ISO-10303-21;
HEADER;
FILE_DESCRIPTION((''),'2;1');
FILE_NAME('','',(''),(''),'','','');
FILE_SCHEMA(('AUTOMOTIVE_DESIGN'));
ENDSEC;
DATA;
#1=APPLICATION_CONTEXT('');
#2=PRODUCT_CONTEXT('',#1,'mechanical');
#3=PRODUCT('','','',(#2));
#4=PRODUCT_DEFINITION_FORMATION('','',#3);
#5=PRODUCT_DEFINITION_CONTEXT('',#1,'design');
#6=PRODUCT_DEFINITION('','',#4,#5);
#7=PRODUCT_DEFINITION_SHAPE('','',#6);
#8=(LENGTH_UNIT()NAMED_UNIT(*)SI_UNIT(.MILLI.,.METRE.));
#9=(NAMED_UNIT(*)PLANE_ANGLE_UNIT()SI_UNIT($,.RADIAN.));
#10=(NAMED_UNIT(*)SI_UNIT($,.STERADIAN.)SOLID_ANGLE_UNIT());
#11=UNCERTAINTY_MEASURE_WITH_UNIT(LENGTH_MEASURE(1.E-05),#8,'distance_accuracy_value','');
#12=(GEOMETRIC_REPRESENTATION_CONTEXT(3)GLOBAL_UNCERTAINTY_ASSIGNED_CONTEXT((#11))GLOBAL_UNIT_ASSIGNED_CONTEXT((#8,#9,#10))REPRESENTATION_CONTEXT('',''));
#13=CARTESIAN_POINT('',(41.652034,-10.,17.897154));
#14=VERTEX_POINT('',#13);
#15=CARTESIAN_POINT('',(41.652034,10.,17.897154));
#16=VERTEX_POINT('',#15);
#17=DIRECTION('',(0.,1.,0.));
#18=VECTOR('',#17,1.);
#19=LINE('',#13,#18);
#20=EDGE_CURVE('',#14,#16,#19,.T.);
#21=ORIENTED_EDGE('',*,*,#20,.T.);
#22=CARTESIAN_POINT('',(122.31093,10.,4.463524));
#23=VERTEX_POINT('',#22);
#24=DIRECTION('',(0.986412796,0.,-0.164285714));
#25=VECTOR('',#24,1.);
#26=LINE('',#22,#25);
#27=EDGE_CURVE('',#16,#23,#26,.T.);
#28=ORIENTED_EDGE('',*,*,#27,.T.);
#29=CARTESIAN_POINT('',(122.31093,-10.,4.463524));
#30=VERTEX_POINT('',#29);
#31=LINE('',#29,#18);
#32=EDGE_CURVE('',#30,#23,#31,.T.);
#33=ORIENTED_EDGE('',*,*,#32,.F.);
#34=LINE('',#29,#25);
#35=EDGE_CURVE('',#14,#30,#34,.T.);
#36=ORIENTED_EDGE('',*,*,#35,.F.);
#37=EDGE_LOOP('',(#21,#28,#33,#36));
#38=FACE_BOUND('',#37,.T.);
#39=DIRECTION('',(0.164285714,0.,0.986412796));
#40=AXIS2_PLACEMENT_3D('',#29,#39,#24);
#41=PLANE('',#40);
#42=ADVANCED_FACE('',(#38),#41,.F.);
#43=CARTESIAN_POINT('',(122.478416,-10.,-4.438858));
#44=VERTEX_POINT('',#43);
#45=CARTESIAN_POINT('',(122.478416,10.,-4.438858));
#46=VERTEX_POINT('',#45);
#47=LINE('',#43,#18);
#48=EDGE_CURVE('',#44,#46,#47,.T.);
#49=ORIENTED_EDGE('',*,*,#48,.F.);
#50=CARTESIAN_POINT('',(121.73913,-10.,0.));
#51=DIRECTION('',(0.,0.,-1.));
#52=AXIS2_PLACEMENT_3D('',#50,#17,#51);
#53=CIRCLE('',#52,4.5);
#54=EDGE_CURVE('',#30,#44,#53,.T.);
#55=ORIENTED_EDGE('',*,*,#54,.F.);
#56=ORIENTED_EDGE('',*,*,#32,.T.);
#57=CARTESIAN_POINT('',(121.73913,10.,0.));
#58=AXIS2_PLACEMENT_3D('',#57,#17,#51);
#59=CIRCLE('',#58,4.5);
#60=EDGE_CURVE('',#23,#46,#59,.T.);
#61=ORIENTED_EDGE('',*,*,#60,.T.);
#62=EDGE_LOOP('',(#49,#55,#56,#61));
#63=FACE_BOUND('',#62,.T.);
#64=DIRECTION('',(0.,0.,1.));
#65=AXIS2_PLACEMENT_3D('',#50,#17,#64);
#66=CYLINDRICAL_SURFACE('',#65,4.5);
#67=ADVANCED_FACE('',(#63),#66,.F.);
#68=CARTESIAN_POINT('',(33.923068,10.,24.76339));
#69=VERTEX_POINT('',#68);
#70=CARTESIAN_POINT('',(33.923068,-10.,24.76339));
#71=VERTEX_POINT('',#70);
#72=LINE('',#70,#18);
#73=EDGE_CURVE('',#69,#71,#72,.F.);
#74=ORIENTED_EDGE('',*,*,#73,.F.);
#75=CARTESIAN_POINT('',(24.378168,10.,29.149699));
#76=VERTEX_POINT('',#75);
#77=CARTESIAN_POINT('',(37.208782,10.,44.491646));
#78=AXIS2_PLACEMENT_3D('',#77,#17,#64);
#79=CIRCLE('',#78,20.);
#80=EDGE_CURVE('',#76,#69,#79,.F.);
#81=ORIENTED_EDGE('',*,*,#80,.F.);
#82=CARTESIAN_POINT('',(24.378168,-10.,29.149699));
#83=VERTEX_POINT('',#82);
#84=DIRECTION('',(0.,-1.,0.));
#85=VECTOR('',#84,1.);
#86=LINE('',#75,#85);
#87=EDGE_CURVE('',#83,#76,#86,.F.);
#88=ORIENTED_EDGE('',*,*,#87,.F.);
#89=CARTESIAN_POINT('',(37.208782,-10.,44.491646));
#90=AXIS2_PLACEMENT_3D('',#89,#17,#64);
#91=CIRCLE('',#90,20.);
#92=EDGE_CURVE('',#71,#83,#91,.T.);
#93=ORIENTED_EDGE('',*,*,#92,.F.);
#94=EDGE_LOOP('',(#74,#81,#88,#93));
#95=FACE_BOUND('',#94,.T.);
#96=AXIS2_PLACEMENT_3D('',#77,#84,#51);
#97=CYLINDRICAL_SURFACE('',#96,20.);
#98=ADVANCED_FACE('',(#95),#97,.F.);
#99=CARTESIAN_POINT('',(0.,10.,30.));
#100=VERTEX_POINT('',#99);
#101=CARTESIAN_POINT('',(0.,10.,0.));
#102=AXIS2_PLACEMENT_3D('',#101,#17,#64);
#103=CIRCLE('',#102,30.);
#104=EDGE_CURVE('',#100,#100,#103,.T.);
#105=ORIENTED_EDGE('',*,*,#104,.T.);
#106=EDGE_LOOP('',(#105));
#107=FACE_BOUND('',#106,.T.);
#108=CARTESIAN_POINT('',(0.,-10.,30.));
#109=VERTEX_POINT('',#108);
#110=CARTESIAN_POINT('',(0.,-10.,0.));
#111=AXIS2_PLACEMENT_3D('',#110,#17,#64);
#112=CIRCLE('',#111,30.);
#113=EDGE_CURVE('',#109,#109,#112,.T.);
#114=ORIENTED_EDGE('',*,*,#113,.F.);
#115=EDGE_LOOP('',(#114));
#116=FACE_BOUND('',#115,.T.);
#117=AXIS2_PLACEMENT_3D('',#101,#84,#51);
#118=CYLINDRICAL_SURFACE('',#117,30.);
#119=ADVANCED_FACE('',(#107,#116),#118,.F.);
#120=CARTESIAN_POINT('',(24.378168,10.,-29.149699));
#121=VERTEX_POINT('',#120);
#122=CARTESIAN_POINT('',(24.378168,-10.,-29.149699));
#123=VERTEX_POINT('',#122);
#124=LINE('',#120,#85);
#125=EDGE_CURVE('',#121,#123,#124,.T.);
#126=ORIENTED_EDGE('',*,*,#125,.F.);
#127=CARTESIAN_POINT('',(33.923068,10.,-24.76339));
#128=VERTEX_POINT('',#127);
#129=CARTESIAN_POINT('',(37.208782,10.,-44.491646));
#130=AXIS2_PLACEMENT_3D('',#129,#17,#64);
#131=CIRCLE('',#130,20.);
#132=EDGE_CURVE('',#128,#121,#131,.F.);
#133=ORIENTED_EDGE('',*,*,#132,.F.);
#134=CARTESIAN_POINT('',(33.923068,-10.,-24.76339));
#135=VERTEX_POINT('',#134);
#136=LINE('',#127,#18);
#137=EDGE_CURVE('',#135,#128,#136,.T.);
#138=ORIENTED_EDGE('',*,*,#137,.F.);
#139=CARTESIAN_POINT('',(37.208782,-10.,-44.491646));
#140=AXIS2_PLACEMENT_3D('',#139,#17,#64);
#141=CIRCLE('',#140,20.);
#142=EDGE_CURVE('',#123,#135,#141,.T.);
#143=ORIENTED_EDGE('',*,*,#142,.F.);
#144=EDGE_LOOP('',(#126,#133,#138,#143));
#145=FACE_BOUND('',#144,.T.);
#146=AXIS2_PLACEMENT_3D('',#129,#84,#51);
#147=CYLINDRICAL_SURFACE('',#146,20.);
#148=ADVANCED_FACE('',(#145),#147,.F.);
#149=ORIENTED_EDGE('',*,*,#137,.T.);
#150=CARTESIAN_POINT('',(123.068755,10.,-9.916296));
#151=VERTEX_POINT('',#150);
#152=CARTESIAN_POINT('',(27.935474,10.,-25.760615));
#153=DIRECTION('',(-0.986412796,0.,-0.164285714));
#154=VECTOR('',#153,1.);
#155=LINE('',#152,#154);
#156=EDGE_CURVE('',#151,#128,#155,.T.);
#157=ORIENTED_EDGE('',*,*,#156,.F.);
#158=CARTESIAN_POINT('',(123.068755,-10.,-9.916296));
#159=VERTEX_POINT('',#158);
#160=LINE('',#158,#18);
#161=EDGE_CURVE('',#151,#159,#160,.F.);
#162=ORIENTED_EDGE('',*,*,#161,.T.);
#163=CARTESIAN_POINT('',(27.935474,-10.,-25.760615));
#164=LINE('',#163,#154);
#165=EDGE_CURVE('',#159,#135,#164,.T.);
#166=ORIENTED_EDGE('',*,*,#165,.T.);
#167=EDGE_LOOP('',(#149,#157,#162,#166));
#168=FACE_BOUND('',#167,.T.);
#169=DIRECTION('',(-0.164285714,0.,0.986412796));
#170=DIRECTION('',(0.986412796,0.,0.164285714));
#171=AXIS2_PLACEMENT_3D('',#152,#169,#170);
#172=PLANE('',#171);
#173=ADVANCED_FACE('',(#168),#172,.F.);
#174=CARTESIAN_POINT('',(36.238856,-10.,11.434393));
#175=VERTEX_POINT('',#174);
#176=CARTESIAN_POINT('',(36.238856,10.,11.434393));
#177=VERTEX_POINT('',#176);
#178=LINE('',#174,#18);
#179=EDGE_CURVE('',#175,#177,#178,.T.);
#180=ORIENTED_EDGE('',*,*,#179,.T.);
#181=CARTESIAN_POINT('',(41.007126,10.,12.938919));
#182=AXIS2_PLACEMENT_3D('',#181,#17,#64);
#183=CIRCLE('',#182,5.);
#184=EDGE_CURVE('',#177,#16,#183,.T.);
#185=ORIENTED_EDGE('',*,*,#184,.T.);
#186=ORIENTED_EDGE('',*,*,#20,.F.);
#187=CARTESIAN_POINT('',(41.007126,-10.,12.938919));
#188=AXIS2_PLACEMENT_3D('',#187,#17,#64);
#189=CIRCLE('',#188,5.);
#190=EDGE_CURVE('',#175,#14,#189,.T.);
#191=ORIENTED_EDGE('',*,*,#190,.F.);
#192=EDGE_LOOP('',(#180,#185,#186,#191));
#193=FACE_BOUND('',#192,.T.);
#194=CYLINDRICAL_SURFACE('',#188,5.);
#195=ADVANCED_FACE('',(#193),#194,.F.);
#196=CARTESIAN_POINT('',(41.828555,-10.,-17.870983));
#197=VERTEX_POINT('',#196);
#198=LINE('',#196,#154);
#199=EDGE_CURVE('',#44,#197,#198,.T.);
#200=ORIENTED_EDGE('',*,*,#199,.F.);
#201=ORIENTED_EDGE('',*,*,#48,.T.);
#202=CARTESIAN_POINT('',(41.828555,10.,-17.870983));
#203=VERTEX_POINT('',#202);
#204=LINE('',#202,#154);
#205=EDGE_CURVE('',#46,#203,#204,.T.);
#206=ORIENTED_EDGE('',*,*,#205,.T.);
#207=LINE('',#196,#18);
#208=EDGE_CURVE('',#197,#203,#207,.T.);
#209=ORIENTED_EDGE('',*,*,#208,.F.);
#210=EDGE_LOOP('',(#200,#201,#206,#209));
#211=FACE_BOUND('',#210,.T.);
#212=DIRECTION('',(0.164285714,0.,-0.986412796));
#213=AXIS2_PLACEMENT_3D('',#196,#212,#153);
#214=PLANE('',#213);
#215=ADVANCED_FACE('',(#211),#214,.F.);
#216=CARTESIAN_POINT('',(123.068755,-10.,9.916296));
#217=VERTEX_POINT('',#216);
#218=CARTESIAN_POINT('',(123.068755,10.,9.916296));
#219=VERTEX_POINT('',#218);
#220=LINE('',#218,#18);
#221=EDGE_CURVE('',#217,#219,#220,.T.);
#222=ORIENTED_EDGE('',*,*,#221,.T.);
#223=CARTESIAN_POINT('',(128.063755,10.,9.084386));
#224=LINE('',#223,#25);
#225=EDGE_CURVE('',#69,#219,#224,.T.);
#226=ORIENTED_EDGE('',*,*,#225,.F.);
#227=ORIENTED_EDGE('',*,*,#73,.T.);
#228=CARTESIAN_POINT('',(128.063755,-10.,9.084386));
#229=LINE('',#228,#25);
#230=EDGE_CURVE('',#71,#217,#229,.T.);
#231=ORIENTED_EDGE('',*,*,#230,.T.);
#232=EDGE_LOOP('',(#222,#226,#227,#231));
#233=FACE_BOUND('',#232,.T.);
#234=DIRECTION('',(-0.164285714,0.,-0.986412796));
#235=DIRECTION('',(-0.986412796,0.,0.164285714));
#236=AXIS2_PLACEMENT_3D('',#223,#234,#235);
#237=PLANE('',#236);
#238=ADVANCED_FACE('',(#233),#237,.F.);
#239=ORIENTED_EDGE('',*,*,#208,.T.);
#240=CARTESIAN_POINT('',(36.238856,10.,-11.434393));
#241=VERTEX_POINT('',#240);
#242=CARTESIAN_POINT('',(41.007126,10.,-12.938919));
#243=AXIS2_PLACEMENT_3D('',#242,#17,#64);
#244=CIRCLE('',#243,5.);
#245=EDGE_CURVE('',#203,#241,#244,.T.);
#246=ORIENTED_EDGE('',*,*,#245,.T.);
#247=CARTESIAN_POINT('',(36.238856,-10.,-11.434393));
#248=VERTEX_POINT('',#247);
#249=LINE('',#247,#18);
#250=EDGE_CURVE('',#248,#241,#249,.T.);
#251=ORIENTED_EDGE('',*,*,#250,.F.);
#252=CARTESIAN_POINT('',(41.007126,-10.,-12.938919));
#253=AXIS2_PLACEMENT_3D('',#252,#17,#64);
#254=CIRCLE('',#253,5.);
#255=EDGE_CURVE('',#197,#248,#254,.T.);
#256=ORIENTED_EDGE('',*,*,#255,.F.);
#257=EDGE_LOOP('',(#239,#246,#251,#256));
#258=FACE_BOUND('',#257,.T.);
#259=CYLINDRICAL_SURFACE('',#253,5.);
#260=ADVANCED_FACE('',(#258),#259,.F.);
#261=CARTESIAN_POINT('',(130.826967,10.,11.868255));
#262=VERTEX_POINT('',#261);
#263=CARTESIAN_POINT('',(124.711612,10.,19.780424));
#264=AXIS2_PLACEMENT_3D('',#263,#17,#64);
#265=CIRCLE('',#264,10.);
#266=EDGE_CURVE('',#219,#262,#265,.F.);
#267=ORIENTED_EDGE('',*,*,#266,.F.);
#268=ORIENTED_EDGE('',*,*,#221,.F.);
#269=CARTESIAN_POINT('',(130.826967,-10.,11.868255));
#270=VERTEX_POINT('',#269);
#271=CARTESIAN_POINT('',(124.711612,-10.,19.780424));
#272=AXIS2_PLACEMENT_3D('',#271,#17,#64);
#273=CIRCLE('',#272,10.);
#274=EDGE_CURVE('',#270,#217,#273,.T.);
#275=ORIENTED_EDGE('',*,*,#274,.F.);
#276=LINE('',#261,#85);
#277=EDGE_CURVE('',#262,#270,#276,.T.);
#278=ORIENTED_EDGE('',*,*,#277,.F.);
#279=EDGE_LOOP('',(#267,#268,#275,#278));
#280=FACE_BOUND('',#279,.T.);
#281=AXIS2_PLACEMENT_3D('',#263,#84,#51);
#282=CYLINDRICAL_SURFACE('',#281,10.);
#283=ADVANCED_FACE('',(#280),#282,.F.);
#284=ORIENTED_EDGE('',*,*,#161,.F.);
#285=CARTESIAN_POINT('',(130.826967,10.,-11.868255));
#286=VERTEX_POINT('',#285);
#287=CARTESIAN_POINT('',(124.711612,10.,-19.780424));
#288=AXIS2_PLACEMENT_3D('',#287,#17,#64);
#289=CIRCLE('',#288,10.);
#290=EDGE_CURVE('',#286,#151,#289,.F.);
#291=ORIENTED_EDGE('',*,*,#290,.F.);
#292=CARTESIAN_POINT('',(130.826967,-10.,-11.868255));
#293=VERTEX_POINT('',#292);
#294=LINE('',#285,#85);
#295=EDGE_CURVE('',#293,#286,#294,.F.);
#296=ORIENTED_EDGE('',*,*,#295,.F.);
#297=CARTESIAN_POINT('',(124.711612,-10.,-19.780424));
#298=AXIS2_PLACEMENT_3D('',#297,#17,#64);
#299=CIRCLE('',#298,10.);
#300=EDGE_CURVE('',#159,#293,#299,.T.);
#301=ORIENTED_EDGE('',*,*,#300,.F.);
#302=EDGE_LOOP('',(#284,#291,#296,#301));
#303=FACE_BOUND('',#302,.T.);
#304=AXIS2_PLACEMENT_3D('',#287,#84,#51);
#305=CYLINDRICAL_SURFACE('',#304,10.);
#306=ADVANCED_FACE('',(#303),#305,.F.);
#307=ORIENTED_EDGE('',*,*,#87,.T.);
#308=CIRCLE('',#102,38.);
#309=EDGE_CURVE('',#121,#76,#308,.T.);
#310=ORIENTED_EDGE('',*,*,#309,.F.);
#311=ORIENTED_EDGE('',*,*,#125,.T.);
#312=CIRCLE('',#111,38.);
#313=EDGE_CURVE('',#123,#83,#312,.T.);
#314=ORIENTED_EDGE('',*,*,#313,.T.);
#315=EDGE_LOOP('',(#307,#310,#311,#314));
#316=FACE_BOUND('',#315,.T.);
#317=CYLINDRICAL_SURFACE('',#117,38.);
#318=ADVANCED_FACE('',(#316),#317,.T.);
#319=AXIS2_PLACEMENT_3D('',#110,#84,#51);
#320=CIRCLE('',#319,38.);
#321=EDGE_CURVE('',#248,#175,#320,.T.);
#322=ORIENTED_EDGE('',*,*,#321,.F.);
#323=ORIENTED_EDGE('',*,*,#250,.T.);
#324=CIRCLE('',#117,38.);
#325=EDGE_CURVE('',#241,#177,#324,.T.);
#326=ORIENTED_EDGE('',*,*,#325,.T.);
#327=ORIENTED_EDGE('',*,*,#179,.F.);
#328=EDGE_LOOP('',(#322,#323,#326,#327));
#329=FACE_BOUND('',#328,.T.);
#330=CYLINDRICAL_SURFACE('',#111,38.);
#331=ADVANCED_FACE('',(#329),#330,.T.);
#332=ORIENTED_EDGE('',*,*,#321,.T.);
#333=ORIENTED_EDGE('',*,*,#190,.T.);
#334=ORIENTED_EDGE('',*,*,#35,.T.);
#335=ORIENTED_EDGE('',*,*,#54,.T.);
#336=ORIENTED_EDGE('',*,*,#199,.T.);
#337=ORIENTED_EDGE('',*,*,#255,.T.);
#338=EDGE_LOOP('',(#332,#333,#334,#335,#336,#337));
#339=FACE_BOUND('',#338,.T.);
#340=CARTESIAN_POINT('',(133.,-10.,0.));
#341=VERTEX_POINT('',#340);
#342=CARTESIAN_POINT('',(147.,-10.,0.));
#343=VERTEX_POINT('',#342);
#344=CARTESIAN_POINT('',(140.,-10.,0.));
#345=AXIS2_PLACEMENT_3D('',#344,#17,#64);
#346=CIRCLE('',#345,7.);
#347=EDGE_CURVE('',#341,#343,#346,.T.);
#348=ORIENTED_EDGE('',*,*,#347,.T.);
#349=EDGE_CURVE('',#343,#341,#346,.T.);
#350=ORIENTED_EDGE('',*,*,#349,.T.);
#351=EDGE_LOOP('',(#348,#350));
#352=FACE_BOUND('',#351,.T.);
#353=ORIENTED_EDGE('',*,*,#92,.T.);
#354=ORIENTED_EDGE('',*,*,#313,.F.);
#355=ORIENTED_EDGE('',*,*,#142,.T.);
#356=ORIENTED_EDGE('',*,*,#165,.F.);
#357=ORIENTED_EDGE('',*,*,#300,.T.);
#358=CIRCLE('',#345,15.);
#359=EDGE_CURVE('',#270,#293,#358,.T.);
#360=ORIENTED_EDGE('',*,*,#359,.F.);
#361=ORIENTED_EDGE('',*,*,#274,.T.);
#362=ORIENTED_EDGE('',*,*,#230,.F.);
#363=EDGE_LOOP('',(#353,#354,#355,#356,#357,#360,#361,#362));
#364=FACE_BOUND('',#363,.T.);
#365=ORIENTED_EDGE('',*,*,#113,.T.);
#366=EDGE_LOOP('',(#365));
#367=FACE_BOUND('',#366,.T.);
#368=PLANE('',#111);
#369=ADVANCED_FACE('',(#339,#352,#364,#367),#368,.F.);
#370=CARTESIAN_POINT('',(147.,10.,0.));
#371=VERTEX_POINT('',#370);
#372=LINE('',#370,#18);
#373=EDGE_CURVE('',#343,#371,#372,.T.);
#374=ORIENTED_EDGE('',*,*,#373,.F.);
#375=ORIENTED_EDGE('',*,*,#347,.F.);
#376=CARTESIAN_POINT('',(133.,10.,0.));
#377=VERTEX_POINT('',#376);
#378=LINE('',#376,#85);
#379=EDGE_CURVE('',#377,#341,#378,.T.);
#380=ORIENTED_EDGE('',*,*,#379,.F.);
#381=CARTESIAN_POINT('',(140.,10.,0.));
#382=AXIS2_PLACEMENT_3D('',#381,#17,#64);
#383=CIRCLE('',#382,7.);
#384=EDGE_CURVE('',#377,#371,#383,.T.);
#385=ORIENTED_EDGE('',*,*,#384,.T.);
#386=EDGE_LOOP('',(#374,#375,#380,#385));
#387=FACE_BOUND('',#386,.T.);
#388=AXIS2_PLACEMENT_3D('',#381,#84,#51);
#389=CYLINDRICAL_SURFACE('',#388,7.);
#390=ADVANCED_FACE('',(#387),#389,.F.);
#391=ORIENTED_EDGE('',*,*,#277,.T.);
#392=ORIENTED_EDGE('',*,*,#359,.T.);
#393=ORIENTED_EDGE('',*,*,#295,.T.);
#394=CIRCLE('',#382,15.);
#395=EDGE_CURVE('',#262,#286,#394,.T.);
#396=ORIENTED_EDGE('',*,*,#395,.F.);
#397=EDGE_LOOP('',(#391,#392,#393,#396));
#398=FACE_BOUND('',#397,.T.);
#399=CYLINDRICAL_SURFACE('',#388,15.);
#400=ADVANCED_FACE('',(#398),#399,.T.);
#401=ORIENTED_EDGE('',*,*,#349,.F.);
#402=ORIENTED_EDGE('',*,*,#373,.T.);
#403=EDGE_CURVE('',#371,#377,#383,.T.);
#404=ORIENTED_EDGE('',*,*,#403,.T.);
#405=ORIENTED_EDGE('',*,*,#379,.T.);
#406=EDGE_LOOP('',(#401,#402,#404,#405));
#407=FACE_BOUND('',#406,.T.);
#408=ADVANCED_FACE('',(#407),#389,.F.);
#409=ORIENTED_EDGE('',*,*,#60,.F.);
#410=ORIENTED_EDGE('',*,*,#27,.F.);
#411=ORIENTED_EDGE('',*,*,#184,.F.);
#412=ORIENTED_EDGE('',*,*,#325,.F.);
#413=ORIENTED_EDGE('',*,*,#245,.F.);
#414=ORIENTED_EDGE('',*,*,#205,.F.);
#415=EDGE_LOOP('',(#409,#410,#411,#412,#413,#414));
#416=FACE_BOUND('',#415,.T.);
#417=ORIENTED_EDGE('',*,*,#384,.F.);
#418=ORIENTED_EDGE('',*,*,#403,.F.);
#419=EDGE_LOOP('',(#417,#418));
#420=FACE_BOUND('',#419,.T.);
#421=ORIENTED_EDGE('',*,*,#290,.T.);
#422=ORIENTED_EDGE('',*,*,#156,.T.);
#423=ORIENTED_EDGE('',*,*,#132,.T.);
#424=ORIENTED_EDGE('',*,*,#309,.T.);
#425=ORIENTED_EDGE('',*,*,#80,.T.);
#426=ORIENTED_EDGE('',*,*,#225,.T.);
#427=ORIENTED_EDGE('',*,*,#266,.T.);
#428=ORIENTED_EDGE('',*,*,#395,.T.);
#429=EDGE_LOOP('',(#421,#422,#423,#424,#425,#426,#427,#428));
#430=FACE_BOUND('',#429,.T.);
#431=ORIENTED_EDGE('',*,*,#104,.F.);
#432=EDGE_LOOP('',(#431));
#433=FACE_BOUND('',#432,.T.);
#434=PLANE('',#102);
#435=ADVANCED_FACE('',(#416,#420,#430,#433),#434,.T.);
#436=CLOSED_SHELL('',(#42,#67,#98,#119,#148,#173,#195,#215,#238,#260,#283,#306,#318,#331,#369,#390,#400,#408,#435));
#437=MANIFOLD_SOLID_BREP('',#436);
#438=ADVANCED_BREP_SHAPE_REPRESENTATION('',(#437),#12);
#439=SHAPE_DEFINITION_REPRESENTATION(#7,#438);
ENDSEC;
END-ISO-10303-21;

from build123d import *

# Parameters (mm, degrees)
SKETCH1_R           = 30
SKETCH1_R_2         = 7
BOSS_EXTRUDE1_DEPTH = 10
FILLET1_R           = 10
FILLET2_R           = 20
CUT_EXTRUDE1_DEPTH  = 161.838428244


with BuildPart() as part:
    # Sketch1 → Boss-Extrude1 (new, symmetric)
    with BuildSketch(Plane(origin=(0, 0, 0), x_dir=(1, 0, 0), z_dir=(0, 1, 0))):
        with BuildLine():
            Line((27.935473676, 25.760615491), (128.063755469, 9.084385863))
            ThreePointArc((128.063755469, 9.084385863), (155, 0), (128.063755469, -9.084385863))
            Line((128.063755469, -9.084385863), (27.935473676, -25.760615491))
            ThreePointArc((27.935473676, -25.760615491), (-38, 0), (27.935473676, 25.760615491))
        make_face()
        with Locations(Location((0, 0, 0), (0, 0, 270))):
            Circle(SKETCH1_R, mode=Mode.SUBTRACT)
        with Locations(Location((140, 0, 0), (0, 0, 270))):
            Circle(SKETCH1_R_2, mode=Mode.SUBTRACT)
    extrude(amount=BOSS_EXTRUDE1_DEPTH, both=True)

    # Fillet1
    fillet1_edges = [part.edges().sort_by_distance(p)[0] for p in [
        (128.063755469, 0, -9.084385863),
        (128.063755469, 0, 9.084385863),
    ]]
    fillet(fillet1_edges, radius=FILLET1_R)

    # Fillet2
    fillet2_edges = [part.edges().sort_by_distance(p)[0] for p in [
        (27.935473676, 0, -25.760615491),
        (27.935473676, 0, 25.760615491),
    ]]
    fillet(fillet2_edges, radius=FILLET2_R)

    # Sketch2 → Cut-Extrude1 (cut, through all)
    with BuildSketch(Plane(origin=(0, 10, 0), x_dir=(1, 0, 0), z_dir=(0, 1, 0))):
        with BuildLine():
            Line((41.828554558, 17.870982725), (122.478416149, 4.438857582))
            ThreePointArc((122.478416149, 4.438857582), (126.238334256, -0.084646201), (122.310930345, -4.463523817))
            Line((122.310930345, -4.463523817), (41.652034204, -17.897153652))
            ThreePointArc((41.652034204, -17.897153652), (37.174066261, -16.149472145), (36.238855523, -11.43439331))
            ThreePointArc((36.238855523, -11.43439331), (38, 0), (36.238855523, 11.43439331))
            ThreePointArc((36.238855523, 11.43439331), (37.231968897, 16.217361812), (41.828554558, 17.870982725))
        make_face()
    extrude(amount=-CUT_EXTRUDE1_DEPTH, mode=Mode.SUBTRACT)


solid = part.part
